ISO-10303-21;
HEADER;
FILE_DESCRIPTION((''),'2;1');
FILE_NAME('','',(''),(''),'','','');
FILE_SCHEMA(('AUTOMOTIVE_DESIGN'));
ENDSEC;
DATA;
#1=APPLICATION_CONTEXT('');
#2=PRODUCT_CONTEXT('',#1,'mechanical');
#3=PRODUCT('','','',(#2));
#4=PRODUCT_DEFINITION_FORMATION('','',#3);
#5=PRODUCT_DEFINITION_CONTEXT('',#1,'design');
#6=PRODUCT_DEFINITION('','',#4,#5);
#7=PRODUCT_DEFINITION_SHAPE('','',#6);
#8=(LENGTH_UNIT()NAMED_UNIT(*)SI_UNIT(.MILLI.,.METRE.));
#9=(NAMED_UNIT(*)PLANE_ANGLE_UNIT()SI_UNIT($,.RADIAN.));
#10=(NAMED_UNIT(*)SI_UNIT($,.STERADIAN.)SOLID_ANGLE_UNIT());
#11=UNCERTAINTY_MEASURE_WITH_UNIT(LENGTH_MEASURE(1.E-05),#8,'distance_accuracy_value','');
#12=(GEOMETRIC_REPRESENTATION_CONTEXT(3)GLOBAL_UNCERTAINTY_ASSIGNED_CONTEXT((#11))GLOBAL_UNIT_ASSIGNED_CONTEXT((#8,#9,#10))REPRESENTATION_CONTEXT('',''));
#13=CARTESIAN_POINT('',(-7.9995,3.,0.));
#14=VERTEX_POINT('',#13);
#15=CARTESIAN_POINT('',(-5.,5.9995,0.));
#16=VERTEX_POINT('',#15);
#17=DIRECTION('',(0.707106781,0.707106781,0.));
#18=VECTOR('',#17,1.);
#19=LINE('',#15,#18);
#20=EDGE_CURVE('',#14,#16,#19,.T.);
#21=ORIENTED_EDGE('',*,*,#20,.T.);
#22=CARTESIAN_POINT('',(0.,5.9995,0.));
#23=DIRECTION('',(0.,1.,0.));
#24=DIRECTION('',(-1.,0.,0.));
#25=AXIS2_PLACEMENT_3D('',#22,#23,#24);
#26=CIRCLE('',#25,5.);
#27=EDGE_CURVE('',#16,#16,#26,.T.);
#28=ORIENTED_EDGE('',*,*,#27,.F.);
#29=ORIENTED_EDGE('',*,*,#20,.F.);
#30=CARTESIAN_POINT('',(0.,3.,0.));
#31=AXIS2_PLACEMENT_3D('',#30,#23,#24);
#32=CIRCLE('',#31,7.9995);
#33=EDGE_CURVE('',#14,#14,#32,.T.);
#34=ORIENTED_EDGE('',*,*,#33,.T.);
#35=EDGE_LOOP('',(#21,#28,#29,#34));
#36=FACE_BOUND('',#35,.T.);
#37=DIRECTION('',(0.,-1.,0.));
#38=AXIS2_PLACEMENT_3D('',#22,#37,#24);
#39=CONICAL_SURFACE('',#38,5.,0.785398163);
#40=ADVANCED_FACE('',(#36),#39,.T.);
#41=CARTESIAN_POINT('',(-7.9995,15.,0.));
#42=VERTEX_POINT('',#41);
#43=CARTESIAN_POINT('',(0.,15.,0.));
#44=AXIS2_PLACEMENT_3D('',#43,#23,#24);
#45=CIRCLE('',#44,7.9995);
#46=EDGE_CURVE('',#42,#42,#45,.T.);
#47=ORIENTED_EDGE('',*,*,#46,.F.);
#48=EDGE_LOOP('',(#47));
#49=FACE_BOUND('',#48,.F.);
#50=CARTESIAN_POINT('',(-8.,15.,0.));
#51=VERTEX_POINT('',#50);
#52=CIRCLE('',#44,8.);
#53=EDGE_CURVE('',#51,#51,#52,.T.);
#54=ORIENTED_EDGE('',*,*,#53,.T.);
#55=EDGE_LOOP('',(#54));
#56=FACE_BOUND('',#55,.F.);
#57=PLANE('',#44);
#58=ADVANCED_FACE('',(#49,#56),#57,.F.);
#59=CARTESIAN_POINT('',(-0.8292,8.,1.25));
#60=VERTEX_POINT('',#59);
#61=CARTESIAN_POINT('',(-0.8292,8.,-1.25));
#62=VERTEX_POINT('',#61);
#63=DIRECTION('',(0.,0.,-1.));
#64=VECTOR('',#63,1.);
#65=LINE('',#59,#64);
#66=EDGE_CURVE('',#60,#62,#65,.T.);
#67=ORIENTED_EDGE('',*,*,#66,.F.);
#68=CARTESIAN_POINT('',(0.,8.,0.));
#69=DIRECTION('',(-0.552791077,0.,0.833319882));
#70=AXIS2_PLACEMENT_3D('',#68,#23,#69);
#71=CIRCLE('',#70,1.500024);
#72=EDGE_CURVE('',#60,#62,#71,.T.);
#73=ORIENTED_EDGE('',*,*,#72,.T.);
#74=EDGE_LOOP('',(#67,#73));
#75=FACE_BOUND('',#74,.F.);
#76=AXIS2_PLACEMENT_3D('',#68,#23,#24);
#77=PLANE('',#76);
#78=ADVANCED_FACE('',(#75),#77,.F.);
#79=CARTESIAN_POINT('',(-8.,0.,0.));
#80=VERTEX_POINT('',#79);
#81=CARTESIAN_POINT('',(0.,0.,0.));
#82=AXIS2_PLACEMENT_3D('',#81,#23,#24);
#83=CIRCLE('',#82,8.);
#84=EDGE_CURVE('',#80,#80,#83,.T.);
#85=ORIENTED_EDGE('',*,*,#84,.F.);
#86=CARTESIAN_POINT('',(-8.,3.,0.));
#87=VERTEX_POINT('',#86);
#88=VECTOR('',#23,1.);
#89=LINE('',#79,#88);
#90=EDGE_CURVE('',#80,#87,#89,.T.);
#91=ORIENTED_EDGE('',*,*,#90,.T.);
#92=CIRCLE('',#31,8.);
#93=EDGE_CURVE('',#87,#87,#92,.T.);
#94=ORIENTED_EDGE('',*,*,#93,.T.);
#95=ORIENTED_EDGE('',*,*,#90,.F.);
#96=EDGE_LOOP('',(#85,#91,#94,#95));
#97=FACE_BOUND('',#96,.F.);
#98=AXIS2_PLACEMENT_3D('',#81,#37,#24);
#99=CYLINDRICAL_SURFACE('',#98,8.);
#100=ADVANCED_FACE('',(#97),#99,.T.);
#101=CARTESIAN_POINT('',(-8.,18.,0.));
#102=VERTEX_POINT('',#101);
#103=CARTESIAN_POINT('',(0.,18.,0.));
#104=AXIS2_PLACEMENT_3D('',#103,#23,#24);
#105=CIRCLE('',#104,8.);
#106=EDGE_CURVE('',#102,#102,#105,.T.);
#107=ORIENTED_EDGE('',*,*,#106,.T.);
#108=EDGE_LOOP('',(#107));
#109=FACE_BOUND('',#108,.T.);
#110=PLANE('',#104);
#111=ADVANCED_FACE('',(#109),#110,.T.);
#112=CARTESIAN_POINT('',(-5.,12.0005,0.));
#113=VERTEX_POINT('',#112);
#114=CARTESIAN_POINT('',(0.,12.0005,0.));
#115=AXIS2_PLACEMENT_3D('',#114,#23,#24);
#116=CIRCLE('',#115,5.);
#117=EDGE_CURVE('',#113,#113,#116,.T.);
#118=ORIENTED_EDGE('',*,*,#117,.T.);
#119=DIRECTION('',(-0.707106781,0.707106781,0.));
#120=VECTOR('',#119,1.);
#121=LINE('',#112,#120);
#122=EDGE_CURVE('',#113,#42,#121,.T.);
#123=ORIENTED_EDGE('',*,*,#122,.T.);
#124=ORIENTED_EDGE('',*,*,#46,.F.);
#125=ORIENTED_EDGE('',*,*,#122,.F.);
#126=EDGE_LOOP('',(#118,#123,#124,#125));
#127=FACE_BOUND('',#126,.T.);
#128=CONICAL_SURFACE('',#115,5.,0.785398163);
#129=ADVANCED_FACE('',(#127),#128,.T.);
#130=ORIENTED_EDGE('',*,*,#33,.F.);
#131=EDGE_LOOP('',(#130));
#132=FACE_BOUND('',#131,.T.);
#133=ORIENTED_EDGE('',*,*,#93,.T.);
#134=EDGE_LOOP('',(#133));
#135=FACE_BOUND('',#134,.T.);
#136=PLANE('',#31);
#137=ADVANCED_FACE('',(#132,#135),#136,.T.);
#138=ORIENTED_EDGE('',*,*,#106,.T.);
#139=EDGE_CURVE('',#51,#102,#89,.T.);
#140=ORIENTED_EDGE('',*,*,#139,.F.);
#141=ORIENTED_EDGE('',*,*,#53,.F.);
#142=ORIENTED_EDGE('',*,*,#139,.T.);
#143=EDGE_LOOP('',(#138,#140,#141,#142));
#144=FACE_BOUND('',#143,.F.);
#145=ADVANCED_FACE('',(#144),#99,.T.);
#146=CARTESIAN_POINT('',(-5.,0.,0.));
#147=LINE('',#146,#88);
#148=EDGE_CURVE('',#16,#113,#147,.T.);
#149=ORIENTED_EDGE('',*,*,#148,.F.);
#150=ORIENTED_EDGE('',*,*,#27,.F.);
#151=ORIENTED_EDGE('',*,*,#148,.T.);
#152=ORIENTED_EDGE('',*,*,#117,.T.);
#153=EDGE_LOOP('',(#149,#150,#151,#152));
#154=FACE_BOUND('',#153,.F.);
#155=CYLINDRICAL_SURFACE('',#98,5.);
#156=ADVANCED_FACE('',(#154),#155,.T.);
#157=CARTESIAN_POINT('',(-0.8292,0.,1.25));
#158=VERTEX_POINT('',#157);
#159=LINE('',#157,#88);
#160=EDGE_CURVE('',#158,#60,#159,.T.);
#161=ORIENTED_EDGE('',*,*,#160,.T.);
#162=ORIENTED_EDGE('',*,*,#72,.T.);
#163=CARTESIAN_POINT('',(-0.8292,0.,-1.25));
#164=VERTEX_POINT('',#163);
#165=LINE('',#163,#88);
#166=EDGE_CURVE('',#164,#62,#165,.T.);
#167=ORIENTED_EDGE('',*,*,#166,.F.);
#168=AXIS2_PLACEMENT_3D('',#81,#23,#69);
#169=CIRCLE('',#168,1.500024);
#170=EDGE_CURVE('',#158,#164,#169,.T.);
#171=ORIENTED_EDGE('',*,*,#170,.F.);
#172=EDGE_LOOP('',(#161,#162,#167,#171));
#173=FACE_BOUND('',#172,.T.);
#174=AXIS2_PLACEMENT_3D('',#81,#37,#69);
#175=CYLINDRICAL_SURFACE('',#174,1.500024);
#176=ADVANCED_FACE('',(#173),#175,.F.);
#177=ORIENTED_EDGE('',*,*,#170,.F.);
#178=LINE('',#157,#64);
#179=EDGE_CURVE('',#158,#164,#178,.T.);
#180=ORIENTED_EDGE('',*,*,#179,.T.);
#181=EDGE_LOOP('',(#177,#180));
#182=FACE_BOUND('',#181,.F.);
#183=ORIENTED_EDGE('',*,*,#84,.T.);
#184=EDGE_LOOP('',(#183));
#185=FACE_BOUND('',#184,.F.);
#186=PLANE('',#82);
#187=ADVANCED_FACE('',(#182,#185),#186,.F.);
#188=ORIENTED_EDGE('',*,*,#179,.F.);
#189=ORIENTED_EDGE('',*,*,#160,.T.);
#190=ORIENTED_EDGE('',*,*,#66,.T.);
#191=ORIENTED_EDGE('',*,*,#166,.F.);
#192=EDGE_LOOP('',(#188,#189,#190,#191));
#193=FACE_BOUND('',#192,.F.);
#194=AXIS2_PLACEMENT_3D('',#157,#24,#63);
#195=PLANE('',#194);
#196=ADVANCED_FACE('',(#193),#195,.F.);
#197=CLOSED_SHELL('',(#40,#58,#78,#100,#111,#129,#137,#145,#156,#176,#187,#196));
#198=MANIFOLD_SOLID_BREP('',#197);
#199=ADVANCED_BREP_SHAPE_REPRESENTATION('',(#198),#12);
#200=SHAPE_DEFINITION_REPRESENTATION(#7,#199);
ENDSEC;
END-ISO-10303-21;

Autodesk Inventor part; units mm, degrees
ref_plane "YZ Plane" through (0, 0, 0) normal (1, 0, 0) x (0, 1, 0)
ref_plane "XZ Plane" through (0, 0, 0) normal (0, 1, 0) x (-1, 0, 0)
ref_plane "XY Plane" through (0, 0, 0) normal (0, 0, 1) x (1, 0, 0)
sketch "Szkic1" plane through (0, 0, 0) normal (0, 1, 0) x (-1, 0, 0)
  circle A0 centre (0, 0) radius 8
  circle A1 centre (0, 0) radius 5
  arc A2 (0.8292, 1.25) -> (0.8292, -1.25) centre (0, 0) ccw
  line L0 (0.8292, 1.25) -> (0.8292, -1.25)
  dimension "d2" = 1.5
  dimension "d3" = 2.5
  dimension "d4" = 10
  dimension "d5" = 16
extrude "Wyciągnięcie proste1" add sketch "Szkic1" along normal blind 18 contours A0 | A1 | L0 A2
extrude "Wyciągnięcie proste2" cut sketch "Szkic1" along normal blind 15 contours A0
extrude "Wyciągnięcie proste3" add sketch "Szkic1" along normal blind 3 contours A0
extrude "Wyciągnięcie proste4" cut sketch "Szkic1" along normal blind 8 contours L0 A2
chamfer "Faza1" distance 3 angle 45 2 edges at (5, 3, 0) (5, 15, 0)
properties part number "kolo_napedowe" material "PLA"
